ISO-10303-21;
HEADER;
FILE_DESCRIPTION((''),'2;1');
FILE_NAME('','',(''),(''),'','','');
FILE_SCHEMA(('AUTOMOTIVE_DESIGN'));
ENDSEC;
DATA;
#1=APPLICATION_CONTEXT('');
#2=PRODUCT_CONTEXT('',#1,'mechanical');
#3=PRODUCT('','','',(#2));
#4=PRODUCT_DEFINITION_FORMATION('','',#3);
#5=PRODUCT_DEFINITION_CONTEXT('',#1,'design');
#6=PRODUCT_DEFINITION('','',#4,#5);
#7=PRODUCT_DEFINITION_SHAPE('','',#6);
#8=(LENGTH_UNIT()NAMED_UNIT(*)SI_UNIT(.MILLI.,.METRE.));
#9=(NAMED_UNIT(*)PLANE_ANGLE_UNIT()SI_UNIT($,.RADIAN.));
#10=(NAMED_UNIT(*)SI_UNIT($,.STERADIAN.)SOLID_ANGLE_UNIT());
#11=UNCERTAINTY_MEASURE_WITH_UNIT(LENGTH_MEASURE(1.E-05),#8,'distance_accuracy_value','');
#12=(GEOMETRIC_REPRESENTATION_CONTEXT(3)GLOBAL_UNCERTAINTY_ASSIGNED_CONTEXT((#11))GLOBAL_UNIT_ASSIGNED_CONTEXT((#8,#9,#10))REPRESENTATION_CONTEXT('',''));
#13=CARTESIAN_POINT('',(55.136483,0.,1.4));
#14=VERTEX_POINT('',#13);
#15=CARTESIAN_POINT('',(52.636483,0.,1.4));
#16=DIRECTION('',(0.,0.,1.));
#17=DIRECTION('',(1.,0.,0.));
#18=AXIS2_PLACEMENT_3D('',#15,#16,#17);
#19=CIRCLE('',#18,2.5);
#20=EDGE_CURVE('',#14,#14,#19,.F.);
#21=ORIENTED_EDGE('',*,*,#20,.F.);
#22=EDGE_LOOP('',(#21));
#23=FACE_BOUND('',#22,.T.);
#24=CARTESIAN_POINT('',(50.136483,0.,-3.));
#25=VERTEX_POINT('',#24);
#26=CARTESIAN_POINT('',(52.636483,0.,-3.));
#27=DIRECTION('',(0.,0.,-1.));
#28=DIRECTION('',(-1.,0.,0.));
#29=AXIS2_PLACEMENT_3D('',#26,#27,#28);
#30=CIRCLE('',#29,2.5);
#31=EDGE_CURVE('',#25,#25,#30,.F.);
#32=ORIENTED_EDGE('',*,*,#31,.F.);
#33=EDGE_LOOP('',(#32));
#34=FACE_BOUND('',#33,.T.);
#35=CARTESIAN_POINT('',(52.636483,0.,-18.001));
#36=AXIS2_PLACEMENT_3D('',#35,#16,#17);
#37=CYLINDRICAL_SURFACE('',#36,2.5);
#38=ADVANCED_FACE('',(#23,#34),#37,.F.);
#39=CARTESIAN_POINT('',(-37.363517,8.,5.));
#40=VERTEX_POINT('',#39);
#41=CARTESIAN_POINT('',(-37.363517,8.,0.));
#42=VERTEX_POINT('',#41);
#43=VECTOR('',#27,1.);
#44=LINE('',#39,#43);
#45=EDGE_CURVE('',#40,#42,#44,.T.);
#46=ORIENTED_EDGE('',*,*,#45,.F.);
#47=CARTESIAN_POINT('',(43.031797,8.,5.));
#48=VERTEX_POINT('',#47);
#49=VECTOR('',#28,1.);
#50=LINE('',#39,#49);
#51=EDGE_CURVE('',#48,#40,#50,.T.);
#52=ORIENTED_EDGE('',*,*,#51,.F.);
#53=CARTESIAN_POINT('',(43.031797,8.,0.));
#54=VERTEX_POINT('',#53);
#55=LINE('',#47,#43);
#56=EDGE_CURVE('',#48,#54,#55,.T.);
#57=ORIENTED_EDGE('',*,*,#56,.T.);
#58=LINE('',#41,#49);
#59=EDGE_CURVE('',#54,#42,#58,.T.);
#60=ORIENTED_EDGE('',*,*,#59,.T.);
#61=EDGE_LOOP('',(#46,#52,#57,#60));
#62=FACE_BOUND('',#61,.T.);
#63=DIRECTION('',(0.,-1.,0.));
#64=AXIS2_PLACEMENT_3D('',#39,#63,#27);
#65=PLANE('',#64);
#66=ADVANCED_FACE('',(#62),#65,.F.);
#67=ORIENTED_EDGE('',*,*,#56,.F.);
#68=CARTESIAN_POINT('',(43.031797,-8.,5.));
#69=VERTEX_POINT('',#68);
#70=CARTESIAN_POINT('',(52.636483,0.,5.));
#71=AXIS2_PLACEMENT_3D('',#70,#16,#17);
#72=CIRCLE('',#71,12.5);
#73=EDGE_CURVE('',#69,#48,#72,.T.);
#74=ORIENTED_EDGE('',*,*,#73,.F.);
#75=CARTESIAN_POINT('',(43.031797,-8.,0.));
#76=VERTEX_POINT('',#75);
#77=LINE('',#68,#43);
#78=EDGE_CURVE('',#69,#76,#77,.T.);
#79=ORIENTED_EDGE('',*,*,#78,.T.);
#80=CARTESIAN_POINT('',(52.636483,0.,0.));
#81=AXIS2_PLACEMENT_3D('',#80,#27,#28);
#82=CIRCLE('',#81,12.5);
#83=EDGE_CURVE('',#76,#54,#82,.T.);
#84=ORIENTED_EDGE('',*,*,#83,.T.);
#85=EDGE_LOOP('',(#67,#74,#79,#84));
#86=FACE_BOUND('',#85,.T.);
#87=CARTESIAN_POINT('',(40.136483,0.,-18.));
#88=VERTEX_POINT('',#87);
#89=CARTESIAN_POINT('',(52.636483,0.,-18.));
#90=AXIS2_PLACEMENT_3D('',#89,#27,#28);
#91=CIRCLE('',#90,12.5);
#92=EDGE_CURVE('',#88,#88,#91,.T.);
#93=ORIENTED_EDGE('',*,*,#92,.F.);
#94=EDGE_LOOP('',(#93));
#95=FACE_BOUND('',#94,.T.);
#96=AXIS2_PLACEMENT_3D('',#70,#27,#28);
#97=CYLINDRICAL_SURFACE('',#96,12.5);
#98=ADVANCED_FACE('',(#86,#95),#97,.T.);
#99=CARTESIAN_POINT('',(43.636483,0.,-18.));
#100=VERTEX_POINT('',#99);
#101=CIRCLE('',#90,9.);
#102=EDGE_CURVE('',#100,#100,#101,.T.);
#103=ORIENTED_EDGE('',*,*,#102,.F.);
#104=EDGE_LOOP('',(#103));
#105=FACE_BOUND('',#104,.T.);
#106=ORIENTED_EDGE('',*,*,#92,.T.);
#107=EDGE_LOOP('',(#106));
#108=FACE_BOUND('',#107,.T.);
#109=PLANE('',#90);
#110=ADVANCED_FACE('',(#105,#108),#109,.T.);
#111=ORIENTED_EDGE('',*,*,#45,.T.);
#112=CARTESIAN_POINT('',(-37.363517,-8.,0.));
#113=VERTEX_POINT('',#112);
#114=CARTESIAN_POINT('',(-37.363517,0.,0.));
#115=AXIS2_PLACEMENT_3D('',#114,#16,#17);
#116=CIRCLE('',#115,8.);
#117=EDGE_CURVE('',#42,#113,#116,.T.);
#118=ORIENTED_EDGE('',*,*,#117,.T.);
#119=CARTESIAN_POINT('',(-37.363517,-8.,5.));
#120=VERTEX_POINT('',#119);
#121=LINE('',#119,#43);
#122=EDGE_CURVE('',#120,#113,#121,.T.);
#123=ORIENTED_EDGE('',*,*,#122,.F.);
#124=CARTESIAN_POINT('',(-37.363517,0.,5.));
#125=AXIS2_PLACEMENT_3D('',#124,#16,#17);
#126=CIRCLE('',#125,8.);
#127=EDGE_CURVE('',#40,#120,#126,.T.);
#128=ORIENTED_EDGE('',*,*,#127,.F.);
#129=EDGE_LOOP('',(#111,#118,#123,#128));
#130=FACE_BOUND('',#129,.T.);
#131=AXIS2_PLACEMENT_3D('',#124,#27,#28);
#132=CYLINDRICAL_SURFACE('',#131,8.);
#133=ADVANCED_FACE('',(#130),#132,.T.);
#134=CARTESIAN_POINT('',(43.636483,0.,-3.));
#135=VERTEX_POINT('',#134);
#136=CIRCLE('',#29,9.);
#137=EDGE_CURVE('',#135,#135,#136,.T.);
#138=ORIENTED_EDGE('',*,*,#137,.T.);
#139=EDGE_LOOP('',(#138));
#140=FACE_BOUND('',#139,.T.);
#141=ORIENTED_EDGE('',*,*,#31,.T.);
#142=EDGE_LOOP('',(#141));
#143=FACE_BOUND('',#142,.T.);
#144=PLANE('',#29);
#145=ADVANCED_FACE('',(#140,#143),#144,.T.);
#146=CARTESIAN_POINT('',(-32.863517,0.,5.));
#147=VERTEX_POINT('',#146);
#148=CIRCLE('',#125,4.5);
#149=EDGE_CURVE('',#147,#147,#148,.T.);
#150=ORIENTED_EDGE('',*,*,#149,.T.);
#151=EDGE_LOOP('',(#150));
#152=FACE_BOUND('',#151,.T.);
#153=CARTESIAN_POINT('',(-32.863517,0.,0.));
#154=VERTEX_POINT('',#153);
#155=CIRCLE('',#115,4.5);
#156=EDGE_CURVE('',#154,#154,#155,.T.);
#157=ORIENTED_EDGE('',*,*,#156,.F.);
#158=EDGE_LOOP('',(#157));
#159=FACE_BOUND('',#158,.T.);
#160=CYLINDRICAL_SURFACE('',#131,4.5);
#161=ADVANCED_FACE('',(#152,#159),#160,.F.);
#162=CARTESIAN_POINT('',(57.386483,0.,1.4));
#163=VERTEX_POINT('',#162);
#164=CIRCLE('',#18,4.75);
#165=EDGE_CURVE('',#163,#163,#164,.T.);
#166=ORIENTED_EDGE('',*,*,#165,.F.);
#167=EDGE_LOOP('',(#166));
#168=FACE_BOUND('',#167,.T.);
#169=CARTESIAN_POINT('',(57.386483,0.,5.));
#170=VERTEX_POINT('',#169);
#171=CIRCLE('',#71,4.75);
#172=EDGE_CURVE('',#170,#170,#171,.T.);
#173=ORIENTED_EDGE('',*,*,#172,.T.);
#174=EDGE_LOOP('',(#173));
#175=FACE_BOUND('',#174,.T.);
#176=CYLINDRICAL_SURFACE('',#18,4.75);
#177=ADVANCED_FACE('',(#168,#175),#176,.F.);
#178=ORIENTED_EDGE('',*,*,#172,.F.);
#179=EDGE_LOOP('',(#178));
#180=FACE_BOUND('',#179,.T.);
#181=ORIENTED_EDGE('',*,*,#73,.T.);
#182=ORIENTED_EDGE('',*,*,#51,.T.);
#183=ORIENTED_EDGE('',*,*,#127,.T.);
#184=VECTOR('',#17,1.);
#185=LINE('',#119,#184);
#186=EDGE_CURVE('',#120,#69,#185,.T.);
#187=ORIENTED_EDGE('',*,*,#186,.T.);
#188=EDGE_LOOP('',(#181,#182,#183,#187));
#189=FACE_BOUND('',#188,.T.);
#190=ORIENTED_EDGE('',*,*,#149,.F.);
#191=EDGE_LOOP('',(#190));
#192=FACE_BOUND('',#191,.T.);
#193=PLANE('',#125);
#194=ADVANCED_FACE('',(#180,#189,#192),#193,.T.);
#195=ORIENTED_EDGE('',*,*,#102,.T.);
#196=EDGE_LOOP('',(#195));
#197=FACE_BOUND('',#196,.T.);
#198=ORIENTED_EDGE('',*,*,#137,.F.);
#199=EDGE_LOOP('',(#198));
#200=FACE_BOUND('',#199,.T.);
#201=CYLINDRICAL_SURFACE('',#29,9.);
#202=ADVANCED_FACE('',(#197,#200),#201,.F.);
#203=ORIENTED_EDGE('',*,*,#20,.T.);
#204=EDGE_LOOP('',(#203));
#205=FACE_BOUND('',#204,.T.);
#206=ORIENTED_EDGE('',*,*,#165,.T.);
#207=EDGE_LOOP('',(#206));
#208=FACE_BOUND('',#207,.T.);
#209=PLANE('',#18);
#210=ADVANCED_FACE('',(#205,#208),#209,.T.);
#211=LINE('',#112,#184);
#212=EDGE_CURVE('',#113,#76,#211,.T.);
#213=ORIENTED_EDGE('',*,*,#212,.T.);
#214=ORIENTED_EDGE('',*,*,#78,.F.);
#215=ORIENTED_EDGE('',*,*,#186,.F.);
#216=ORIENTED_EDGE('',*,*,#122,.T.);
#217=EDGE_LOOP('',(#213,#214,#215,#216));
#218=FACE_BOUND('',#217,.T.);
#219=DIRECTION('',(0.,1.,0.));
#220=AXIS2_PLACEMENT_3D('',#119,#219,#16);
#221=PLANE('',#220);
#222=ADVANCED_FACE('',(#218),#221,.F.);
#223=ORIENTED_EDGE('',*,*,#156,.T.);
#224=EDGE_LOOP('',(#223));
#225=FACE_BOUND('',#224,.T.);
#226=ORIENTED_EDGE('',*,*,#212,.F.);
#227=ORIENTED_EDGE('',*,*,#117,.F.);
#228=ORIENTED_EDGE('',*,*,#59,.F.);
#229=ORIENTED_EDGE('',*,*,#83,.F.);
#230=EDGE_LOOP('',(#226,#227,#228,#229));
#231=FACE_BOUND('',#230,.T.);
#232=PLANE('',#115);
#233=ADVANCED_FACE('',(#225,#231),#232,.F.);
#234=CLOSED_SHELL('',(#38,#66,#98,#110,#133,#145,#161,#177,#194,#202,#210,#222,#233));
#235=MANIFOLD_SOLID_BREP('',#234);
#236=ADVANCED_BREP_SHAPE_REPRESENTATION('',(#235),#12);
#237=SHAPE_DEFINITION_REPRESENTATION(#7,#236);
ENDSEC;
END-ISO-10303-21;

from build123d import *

# Parameters (mm, degrees)
SKETCH_1_R          = 4.5
EXTRUDE_1_DEPTH     = 5
EXTRUDE_START       = 18
SKETCH_4_R          = 12.5
EXTRUDE_3_DEPTH     = 18
SKETCH_5_R          = 9
CUT_EXTRUDE_1_DEPTH = 15
CUT_EXTRUDE_2_REACH = 72.2
SKETCH_6_R          = 2.5
SKETCH_7_R          = 4.75
CUT_EXTRUDE_3_DEPTH = 3.6


with BuildPart() as part:
    # 草图1 → 凸台-拉伸1 (new body)
    with BuildSketch(Plane.XY):
        with BuildLine():
            Line((-37.363516522, 8), (43.031797122, 8))
            ThreePointArc((43.031797122, 8), (65.136483478, 0), (43.031797122, -8))
            Line((43.031797122, -8), (-37.363516522, -8))
            ThreePointArc((-37.363516522, -8), (-45.363516522, 0), (-37.363516522, 8))
        make_face()
        with Locations((-37.363516522, 0)):
            Circle(SKETCH_1_R, mode=Mode.SUBTRACT)
    extrude(amount=EXTRUDE_1_DEPTH)

    # 草图4 → 凸台-拉伸3 (add)
    with BuildSketch(Plane(origin=(0, 0, 0), x_dir=(-1, 0, 0), z_dir=(0, 0, -1)).offset(EXTRUDE_START)):
        with Locations((-52.636483478, 0)):
            Circle(SKETCH_4_R)
    extrude(amount=-EXTRUDE_3_DEPTH)

    # 草图5 → 切除-拉伸1 (cut)
    with BuildSketch(Plane(origin=(0, 0, -18), x_dir=(-1, 0, 0), z_dir=(0, 0, -1))):
        with Locations((-52.636483478, 0)):
            Circle(SKETCH_5_R)
    extrude(amount=-CUT_EXTRUDE_1_DEPTH, mode=Mode.SUBTRACT)

    # 草图6 → 切除-拉伸2 (cut, up to next)
    with BuildSketch(Plane.XY.offset(5), mode=Mode.PRIVATE) as cut_extrude_2_sk1:
        with Locations((52.636483478, 0)):
            Circle(SKETCH_6_R)
    cut_extrude_2_tool1 = extrude(cut_extrude_2_sk1.sketch, amount=-CUT_EXTRUDE_2_REACH, mode=Mode.PRIVATE) & part.part
    add(cut_extrude_2_tool1.solids().sort_by_distance((52.636483, 0, 5))[0], mode=Mode.SUBTRACT)

    # 草图7 → 切除-拉伸3 (cut)
    with BuildSketch(Plane.XY.offset(5)):
        with Locations((52.636483478, 0)):
            Circle(SKETCH_7_R)
    extrude(amount=-CUT_EXTRUDE_3_DEPTH, mode=Mode.SUBTRACT)


solid = part.part
